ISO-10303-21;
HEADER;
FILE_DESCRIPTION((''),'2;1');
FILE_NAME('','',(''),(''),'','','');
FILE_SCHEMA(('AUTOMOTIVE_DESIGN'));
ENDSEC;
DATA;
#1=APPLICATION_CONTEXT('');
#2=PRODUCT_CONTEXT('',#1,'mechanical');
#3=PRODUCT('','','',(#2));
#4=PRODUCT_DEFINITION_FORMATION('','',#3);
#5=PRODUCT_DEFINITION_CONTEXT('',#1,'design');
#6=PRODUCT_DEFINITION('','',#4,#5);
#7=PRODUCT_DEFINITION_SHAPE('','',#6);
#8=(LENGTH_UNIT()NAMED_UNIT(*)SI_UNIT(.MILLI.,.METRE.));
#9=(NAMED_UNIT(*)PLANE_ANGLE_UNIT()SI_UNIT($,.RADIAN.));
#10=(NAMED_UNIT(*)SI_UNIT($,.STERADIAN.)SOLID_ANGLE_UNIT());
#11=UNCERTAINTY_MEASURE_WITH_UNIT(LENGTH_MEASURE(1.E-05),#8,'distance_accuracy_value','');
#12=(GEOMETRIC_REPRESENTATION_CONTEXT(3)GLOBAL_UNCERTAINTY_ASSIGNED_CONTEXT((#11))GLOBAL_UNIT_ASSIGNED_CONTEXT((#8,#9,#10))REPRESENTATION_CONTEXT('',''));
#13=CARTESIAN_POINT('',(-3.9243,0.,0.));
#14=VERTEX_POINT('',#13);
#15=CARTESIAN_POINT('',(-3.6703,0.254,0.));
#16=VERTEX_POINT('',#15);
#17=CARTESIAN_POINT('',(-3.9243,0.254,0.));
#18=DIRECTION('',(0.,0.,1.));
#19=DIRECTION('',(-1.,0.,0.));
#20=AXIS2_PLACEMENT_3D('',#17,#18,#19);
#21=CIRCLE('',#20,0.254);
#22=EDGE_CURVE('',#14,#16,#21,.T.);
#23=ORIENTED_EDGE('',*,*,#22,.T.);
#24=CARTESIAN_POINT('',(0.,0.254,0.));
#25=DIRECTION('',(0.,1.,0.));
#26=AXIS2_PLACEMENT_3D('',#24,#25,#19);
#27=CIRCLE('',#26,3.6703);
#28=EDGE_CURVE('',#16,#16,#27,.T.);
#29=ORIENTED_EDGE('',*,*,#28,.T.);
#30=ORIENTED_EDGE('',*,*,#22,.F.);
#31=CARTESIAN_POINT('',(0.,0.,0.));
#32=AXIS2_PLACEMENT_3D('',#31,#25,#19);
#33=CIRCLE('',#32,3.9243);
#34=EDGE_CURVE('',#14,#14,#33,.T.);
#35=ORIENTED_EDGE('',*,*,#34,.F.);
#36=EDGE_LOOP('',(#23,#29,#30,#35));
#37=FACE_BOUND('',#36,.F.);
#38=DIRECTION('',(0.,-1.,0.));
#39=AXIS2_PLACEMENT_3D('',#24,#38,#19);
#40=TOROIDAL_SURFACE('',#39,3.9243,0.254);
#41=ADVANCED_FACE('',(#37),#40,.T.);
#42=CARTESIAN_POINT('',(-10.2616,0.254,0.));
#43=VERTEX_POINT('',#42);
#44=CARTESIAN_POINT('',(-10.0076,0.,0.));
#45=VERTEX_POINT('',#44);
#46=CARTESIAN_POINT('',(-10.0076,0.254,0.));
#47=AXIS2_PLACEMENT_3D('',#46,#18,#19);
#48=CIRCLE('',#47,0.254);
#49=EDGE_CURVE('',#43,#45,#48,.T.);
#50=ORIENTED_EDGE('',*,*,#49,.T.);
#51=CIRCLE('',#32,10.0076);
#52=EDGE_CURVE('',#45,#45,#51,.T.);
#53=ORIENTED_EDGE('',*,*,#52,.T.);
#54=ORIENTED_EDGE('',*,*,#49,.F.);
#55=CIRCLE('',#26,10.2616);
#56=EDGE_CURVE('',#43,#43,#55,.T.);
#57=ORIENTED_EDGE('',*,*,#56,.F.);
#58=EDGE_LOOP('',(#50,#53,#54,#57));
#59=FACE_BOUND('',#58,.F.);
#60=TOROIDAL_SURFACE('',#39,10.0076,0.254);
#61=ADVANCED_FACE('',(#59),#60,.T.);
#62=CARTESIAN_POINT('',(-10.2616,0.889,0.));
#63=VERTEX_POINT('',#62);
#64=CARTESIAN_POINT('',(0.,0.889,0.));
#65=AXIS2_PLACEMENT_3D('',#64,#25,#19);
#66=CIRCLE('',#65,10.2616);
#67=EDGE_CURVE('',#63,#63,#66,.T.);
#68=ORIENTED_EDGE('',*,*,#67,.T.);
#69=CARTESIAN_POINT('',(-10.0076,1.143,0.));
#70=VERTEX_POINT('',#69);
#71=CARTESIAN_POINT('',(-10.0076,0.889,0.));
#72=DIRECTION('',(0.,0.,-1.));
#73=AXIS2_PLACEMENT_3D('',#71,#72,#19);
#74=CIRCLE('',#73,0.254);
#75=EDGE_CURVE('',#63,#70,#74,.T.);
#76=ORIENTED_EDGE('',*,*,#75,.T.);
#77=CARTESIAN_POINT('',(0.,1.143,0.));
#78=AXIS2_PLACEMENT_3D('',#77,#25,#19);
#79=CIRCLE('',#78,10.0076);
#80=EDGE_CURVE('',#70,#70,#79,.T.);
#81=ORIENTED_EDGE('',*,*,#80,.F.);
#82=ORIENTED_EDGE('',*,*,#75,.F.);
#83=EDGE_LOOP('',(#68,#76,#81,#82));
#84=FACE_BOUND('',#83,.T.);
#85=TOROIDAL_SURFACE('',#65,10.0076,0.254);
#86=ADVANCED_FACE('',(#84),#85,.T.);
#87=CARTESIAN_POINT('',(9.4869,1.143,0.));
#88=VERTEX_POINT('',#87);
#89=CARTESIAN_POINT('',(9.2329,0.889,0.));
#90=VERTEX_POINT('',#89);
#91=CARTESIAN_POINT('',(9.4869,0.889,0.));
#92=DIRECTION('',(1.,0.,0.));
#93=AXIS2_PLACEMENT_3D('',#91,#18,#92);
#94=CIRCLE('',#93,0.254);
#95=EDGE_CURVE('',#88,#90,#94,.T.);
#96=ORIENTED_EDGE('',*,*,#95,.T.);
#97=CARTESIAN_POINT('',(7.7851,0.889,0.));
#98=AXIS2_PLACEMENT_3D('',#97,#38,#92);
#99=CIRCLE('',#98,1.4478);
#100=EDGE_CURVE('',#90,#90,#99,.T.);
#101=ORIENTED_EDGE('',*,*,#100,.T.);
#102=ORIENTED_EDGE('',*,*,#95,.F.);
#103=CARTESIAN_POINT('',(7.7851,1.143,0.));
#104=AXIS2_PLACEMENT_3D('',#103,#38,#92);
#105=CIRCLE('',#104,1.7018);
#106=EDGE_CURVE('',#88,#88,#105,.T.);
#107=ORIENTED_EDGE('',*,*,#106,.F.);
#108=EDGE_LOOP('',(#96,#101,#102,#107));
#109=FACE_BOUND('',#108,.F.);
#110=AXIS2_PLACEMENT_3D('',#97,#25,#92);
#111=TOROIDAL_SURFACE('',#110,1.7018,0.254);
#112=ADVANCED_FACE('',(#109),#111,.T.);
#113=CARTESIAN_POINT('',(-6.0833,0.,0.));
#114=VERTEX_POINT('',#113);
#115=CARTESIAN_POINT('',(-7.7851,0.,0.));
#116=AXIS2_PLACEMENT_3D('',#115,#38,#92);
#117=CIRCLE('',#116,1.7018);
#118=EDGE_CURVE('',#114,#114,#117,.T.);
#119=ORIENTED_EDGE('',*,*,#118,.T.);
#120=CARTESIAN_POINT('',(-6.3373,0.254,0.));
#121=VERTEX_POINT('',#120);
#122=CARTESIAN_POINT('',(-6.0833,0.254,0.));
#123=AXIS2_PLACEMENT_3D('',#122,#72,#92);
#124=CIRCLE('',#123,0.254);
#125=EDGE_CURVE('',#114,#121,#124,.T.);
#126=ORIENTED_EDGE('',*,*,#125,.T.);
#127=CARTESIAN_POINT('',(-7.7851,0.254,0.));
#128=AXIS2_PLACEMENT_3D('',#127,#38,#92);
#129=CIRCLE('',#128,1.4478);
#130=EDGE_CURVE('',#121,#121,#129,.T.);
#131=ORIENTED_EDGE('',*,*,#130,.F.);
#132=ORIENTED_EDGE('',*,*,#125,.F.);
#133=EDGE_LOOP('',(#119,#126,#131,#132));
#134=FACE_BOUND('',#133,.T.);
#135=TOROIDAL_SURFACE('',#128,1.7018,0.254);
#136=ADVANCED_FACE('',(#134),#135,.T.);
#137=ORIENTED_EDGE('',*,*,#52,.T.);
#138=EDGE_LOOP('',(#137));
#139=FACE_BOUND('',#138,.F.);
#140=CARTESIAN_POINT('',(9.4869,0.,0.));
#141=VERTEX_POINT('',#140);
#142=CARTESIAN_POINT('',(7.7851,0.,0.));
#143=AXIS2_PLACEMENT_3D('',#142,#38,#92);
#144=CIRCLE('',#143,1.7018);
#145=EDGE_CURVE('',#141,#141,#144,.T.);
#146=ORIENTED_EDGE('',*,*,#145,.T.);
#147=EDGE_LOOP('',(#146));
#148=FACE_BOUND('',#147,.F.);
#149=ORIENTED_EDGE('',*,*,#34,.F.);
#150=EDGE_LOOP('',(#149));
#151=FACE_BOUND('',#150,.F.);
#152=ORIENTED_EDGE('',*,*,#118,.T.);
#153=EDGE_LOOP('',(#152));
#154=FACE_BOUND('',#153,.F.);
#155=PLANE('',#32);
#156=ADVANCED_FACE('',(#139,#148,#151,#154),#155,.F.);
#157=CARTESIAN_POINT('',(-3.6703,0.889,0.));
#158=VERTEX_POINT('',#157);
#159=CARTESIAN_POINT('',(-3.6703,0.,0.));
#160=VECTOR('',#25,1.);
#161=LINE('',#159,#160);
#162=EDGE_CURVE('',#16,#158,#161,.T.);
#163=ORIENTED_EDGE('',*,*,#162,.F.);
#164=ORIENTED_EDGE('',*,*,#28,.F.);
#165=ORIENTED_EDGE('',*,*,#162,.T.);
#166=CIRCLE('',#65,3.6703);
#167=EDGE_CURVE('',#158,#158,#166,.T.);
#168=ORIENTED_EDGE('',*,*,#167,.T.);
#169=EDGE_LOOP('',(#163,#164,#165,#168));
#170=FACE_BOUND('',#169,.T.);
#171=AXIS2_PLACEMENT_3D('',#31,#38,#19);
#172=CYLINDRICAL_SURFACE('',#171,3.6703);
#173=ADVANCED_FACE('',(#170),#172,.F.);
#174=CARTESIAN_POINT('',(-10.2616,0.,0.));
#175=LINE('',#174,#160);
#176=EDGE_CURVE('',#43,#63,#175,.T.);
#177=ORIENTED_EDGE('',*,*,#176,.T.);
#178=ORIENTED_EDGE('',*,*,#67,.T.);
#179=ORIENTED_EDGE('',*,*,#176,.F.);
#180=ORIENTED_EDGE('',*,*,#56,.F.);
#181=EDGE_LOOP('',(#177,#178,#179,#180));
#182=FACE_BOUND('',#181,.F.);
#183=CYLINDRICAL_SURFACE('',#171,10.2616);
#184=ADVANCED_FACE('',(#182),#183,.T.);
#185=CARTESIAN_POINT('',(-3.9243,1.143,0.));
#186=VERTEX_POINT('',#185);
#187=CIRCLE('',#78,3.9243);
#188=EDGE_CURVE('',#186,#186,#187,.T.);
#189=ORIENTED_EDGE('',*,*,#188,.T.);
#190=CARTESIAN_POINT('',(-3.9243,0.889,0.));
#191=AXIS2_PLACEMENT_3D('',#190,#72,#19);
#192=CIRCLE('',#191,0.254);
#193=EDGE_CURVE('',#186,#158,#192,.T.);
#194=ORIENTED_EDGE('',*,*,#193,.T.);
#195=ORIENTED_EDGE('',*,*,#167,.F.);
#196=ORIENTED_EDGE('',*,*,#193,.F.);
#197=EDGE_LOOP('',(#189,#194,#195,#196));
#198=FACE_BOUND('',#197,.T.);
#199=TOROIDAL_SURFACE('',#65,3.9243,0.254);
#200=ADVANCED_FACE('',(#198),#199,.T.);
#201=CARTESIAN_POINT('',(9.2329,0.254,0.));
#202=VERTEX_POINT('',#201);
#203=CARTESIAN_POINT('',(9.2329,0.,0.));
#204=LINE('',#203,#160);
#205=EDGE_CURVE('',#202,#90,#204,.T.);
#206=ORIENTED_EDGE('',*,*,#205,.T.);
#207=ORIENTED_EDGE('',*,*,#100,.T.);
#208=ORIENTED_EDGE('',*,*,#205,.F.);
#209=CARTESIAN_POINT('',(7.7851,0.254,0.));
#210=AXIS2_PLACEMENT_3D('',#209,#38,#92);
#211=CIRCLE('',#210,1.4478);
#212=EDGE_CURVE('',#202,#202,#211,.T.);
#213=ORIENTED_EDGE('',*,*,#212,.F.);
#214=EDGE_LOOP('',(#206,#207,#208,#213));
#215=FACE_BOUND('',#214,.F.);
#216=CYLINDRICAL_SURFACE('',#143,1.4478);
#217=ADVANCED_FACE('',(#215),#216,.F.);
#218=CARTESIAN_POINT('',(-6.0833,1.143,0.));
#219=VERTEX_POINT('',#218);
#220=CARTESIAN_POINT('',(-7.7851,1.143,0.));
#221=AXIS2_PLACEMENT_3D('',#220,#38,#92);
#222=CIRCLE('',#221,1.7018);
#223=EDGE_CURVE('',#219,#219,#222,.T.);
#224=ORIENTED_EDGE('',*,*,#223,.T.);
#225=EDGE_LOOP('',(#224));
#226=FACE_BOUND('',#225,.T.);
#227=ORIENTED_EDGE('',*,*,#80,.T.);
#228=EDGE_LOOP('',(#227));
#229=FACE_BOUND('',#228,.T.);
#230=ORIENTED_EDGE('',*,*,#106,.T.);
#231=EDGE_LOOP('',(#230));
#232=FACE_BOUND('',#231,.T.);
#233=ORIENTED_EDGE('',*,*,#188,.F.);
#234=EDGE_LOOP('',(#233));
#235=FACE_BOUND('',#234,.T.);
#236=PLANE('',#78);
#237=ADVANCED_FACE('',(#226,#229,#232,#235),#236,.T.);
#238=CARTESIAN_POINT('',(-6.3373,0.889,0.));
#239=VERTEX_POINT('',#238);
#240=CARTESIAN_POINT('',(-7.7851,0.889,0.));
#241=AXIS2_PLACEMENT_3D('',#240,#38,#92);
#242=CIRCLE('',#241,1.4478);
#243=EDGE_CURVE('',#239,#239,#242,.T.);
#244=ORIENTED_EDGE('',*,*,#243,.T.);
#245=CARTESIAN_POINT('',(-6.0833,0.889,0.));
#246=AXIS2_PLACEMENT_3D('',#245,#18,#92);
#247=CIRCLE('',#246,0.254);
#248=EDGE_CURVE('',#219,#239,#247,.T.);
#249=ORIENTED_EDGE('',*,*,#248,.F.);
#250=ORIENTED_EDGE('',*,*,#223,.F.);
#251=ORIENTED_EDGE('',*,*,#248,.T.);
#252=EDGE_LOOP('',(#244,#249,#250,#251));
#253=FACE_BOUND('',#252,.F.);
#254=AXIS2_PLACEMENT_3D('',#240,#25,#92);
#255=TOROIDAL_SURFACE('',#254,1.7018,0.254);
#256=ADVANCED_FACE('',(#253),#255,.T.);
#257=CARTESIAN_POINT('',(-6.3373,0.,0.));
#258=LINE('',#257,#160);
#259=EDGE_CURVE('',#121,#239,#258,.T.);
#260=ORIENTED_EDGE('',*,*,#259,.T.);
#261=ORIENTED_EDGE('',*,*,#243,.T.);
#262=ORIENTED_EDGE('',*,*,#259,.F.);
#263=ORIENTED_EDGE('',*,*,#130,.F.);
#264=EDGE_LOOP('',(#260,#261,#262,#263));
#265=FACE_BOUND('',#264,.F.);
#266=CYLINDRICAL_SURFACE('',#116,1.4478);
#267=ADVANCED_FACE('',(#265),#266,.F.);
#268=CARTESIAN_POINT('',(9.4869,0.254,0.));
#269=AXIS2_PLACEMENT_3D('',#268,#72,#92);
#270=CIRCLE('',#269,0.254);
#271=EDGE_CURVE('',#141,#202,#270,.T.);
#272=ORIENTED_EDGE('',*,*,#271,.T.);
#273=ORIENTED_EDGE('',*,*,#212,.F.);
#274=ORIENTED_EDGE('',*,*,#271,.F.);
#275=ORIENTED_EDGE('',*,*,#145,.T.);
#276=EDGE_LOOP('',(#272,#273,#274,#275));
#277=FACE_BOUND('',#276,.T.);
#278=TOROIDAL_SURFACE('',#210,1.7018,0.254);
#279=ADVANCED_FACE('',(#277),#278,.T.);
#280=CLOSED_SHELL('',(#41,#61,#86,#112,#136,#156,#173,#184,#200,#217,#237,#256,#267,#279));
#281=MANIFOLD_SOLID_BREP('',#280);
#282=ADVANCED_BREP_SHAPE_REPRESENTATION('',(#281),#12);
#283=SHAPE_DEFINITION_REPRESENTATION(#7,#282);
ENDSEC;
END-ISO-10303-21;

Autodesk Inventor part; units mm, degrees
ref_plane "YZ Plane" through (0, 0, 0) normal (1, 0, 0) x (0, 1, 0)
ref_plane "XZ Plane" through (0, 0, 0) normal (0, 1, 0) x (-1, 0, 0)
ref_plane "XY Plane" through (0, 0, 0) normal (0, 0, 1) x (1, 0, 0)
sketch "Sketch1" plane through (0, 0, 0) normal (0, 1, 0) x (-1, 0, 0)
  circle A0 centre (0, 0) radius 10.2616
  circle A1 centre (0, 0) radius 3.6703
  dimension "d0" = 20.5232
  dimension "d1" = 7.3406
extrude "Extrusion1" add sketch "Sketch1" along normal blind 1.143
sketch "Sketch3" plane through (0, 0, 0) normal (0, -1, 0) x (1, 0, 0)
  circle A0 centre (0, 0) radius 10.2616 construction
  line L0 (-10.2616, 0) -> (10.2616, 0) construction
  circle A1 centre (-7.7851, 0) radius 1.4478
  circle A2 centre (7.7851, 0) radius 1.4478
  dimension "d7" = 7.7851
  dimension "d8" = 2.8956
  dimension "d11" = 360
extrude "Extrusion3" cut sketch "Sketch3" against normal through all
fillet "Fillet2" radius 0.254 8 edges at (10.2616, 1.143, 0) (6.3373, 1.143, 0) (3.6703, 1.143, 0) (-9.2329, 1.143, 0) (10.2616, 0, 0) (-9.2329, 0, 0) (6.3373, 0, 0) (3.6703, 0, 0)
properties part number "Steele Sewing Machine Bobbin Top" material "ABS Plastic"
